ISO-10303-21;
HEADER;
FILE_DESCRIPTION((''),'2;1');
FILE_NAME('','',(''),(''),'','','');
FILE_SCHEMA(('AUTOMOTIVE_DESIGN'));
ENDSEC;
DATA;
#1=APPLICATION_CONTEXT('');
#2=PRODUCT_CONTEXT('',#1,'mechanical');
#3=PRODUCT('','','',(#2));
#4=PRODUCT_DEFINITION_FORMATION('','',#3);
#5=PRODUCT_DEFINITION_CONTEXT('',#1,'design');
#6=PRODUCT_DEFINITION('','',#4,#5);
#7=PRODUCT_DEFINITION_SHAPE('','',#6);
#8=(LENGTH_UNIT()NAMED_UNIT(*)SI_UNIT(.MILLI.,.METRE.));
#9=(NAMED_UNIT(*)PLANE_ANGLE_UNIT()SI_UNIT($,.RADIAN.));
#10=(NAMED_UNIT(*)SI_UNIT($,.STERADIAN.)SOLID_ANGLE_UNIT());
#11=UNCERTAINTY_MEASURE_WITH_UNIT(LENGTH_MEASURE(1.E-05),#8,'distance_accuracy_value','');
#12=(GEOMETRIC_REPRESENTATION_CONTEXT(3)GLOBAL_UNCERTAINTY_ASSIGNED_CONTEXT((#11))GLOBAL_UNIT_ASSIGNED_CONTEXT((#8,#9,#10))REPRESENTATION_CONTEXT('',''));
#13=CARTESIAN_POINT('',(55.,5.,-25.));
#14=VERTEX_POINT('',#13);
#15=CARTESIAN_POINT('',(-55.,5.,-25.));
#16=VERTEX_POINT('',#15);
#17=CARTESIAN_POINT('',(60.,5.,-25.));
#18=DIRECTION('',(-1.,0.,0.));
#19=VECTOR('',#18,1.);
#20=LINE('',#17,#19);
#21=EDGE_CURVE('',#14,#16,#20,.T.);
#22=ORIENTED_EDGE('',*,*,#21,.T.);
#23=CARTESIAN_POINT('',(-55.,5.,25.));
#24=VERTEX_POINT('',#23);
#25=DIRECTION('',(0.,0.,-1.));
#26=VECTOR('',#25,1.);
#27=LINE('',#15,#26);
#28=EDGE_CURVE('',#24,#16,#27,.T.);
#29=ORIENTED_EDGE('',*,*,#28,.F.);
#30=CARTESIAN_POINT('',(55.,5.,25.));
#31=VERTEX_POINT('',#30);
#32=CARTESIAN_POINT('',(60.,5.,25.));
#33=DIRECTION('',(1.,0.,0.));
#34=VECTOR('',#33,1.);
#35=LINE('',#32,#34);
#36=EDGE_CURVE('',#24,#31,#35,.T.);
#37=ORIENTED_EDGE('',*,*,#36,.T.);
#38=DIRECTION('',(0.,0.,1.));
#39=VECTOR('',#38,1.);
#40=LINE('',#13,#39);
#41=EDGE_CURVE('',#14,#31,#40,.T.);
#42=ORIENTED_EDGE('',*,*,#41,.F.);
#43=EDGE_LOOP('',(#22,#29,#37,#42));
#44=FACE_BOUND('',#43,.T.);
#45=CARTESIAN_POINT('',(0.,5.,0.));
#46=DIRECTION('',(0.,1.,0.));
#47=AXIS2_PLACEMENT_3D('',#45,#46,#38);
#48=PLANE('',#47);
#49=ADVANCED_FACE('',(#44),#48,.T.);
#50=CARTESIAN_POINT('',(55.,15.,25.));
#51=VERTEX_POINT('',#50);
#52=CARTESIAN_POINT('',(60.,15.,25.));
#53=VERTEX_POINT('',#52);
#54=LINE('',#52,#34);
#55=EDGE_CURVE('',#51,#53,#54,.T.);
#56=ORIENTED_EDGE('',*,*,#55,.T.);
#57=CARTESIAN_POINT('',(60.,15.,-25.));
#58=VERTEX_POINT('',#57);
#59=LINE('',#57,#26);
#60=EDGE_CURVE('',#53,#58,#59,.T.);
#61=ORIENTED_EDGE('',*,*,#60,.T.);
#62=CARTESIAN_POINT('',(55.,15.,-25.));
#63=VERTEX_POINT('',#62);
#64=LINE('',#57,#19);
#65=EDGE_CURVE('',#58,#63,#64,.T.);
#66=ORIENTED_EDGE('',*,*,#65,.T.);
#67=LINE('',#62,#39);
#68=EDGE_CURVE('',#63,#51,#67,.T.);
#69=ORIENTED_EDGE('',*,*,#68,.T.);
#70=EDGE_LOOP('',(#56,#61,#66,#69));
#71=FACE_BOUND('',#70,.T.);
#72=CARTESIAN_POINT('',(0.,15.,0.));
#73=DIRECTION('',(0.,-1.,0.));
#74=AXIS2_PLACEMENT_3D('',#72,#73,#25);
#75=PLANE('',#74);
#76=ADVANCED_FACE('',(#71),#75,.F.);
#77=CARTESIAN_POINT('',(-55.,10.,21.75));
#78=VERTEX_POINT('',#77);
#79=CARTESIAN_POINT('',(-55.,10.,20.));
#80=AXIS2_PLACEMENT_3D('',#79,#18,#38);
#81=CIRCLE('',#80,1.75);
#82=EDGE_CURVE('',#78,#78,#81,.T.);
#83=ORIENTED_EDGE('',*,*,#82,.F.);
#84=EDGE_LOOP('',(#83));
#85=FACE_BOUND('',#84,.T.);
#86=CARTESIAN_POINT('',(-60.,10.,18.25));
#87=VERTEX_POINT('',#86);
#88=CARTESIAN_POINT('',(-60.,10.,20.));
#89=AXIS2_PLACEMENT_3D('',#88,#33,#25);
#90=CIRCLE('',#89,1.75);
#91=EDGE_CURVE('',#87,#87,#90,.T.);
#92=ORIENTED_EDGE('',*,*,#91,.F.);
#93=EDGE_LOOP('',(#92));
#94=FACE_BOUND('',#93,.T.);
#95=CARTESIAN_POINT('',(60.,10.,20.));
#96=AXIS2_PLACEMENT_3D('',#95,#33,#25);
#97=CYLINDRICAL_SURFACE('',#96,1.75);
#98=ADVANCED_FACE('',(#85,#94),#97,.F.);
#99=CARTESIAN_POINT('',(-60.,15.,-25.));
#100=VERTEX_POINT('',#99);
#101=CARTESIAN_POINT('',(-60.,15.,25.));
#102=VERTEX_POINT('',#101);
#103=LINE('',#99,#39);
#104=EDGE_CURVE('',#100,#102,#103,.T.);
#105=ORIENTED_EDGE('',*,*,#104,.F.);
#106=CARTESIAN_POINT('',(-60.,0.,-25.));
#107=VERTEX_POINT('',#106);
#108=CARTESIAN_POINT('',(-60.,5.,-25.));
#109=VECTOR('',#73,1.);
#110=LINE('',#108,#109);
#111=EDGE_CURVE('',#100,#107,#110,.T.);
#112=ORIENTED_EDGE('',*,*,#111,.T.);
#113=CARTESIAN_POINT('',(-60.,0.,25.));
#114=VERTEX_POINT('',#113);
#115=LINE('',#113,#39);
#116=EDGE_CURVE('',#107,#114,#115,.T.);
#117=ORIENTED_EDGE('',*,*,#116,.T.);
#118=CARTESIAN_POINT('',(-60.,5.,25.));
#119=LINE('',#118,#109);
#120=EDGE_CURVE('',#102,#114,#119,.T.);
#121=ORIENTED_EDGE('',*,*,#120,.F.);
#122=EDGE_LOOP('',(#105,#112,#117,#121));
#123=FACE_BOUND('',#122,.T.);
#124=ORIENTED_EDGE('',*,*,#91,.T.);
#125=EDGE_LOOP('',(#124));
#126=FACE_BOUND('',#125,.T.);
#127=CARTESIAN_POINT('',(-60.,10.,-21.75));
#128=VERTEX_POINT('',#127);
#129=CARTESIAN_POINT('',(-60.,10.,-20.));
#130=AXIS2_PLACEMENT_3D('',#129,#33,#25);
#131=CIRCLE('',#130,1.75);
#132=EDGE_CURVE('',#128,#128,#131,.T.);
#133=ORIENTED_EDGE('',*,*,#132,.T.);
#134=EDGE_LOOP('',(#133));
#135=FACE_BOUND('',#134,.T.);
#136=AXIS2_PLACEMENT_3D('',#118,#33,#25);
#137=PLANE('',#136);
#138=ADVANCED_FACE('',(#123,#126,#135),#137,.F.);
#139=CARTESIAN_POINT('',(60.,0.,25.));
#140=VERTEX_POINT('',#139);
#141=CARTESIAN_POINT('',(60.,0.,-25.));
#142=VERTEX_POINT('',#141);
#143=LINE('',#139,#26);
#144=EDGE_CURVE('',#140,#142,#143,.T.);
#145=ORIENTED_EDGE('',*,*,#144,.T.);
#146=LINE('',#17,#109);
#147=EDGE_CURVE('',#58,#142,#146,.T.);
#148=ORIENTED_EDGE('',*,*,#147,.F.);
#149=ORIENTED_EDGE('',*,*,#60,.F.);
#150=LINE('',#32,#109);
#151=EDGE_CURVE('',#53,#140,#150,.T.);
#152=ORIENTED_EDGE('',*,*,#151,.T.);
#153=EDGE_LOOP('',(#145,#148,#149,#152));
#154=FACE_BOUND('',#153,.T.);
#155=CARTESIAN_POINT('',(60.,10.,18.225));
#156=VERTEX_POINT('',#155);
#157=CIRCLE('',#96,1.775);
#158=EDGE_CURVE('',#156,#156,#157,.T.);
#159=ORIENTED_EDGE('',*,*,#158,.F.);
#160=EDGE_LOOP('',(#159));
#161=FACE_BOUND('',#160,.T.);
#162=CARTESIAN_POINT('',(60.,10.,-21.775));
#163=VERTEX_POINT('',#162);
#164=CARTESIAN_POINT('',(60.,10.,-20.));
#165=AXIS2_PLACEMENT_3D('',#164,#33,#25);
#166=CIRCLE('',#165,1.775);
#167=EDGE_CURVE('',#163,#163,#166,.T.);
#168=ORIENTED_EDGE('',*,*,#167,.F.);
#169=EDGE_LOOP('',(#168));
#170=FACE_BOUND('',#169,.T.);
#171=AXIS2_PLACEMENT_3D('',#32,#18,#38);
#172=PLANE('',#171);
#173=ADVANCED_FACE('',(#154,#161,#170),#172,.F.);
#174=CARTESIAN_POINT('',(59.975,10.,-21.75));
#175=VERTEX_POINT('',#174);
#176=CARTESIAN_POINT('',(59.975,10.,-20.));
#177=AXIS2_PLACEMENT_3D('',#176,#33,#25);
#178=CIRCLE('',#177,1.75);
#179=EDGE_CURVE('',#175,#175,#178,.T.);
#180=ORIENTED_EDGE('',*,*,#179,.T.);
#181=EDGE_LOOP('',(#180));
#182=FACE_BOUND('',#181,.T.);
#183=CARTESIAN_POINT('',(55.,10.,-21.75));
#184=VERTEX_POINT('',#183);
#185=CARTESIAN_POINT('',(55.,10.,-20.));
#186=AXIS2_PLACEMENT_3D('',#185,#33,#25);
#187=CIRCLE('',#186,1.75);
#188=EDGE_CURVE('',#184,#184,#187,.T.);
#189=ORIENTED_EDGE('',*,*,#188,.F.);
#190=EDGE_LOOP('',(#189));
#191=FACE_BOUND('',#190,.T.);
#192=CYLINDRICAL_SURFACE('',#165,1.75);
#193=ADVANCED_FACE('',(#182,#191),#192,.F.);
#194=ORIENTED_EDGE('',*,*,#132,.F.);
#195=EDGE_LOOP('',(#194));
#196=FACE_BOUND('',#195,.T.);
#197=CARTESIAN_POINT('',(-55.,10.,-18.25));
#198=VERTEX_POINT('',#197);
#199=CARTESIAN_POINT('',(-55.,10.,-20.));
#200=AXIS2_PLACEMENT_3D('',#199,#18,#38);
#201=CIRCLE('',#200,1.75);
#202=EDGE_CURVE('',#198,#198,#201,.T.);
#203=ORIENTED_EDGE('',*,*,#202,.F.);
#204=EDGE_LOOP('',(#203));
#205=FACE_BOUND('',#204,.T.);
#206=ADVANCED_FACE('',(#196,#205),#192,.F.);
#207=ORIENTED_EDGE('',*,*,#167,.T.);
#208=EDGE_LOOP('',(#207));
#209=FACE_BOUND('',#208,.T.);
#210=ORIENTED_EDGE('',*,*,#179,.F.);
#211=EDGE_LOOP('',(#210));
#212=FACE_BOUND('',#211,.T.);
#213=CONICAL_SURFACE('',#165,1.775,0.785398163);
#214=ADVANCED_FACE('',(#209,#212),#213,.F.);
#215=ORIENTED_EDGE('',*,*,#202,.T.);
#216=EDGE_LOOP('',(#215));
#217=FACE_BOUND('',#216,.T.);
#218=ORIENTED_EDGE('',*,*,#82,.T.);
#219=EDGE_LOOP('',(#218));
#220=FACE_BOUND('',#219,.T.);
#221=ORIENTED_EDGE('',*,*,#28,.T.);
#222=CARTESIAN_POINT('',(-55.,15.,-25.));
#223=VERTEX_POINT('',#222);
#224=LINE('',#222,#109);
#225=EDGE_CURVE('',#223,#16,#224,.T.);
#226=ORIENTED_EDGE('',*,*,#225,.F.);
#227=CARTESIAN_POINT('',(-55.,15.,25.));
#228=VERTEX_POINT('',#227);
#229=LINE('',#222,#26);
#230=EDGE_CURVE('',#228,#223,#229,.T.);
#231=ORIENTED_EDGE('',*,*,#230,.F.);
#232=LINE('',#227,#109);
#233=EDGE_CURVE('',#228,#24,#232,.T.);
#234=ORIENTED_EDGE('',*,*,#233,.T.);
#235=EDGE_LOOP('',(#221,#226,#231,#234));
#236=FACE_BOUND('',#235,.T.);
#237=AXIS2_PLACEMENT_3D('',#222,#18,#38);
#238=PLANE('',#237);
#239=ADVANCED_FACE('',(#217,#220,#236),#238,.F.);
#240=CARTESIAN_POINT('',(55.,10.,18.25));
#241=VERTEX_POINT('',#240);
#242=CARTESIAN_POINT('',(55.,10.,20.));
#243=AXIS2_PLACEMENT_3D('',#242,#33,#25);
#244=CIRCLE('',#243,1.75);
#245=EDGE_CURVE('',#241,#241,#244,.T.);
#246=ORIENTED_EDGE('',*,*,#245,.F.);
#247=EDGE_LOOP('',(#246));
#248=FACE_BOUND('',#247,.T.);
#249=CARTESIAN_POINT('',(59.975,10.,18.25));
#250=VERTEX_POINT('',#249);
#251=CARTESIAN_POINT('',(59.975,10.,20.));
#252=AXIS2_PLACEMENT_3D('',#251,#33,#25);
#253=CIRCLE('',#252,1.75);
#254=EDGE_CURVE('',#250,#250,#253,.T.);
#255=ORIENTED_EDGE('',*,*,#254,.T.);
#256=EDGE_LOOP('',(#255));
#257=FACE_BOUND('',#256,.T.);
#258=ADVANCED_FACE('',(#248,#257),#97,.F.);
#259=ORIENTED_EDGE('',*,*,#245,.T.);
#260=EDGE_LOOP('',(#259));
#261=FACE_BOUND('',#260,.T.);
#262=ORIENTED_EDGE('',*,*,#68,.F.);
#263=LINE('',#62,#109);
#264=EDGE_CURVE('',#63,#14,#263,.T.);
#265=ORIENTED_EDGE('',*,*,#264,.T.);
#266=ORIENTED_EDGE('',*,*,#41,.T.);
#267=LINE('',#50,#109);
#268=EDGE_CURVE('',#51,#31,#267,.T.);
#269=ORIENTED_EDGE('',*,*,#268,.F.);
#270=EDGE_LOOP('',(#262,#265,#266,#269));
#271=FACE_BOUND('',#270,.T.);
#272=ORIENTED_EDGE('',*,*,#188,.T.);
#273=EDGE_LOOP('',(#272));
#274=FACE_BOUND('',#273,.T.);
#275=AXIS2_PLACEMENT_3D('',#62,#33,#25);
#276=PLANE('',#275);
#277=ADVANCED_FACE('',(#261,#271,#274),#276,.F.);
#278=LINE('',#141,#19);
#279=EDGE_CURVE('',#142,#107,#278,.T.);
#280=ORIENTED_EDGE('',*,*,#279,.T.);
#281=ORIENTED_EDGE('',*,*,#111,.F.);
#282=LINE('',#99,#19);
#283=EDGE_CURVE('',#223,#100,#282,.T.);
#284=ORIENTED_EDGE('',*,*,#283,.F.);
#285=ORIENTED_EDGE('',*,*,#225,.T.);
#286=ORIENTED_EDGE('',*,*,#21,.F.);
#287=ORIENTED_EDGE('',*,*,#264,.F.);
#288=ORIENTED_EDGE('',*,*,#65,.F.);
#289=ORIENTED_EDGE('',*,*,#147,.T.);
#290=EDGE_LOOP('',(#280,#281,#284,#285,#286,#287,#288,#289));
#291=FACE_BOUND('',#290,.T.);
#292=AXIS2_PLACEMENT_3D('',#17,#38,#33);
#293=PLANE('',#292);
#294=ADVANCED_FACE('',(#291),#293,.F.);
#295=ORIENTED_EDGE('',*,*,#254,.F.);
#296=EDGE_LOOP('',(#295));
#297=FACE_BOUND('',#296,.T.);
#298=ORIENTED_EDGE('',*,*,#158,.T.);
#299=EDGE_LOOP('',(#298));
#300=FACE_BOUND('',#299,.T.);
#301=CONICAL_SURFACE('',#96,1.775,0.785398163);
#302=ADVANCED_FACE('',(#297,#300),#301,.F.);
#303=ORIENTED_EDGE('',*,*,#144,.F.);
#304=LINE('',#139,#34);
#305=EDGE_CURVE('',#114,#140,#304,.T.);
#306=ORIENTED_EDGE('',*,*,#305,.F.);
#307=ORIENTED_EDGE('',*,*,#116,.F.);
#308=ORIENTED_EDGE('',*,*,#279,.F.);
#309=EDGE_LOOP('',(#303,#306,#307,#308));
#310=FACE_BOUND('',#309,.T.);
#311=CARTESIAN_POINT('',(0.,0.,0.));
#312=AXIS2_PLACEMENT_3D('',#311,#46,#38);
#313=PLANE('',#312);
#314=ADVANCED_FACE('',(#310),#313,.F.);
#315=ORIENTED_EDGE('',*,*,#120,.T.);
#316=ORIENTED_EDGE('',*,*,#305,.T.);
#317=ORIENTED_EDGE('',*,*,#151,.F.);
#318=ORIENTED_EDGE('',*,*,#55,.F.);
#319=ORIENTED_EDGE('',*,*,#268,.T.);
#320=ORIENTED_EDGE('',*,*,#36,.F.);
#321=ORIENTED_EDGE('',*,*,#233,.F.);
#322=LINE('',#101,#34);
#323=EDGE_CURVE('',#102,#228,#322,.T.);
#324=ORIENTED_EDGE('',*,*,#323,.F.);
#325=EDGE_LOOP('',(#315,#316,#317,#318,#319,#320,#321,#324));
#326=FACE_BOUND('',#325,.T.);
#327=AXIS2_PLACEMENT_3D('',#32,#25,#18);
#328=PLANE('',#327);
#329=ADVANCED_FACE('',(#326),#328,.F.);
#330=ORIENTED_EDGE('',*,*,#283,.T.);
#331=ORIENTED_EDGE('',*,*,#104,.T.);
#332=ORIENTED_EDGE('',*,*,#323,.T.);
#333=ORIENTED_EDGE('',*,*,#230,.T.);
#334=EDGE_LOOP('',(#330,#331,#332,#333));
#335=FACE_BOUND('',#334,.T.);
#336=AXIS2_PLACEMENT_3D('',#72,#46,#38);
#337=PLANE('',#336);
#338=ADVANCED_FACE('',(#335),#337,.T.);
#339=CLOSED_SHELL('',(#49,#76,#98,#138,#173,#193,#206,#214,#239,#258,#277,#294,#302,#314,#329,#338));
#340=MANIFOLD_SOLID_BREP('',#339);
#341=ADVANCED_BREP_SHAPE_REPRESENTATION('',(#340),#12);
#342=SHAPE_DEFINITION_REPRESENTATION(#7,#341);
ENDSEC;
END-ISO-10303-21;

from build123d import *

# Parameters (mm, degrees)
SKETCH1_W                            = 120
SKETCH1_H                            = 50
BOSS_EXTRUDE1_DEPTH                  = 5
SKETCH2_W                            = 5
SKETCH2_H                            = 50
BOSS_EXTRUDE2_DEPTH                  = 10
F_3_5_3_5_DIAMETER_HOLE1_D           = 3.5
F_3_5_3_5_DIAMETER_HOLE1_CSINK_D     = 3.55
F_3_5_3_5_DIAMETER_HOLE1_CSINK_ANGLE = 90


with BuildPart() as part:
    # Sketch1 → Boss-Extrude1 (new body)
    with BuildSketch(Plane(origin=(0, 0, 0), x_dir=(1, 0, 0), z_dir=(0, 1, 0))):
        Rectangle(SKETCH1_W, SKETCH1_H)
    extrude(amount=BOSS_EXTRUDE1_DEPTH)

    # Sketch2 → Boss-Extrude2 (add)
    with BuildSketch(Plane(origin=(0, 5, 0), x_dir=(1, 0, 0), z_dir=(0, 1, 0))):
        with Locations((-57.5, 0)):
            Rectangle(SKETCH2_W, SKETCH2_H)
        with Locations((57.5, 0)):
            Rectangle(SKETCH2_W, SKETCH2_H)
    extrude(amount=BOSS_EXTRUDE2_DEPTH)

    # Ø3.5 (3.5) Diameter Hole1 (through all)
    with Locations(Plane(origin=(60, 0, 0), x_dir=(0, 0, -1), z_dir=(1, 0, 0))):
        with Locations((-20, 10), (20, 10)):
            CounterSinkHole(F_3_5_3_5_DIAMETER_HOLE1_D / 2, F_3_5_3_5_DIAMETER_HOLE1_CSINK_D / 2, counter_sink_angle=F_3_5_3_5_DIAMETER_HOLE1_CSINK_ANGLE)


solid = part.part
